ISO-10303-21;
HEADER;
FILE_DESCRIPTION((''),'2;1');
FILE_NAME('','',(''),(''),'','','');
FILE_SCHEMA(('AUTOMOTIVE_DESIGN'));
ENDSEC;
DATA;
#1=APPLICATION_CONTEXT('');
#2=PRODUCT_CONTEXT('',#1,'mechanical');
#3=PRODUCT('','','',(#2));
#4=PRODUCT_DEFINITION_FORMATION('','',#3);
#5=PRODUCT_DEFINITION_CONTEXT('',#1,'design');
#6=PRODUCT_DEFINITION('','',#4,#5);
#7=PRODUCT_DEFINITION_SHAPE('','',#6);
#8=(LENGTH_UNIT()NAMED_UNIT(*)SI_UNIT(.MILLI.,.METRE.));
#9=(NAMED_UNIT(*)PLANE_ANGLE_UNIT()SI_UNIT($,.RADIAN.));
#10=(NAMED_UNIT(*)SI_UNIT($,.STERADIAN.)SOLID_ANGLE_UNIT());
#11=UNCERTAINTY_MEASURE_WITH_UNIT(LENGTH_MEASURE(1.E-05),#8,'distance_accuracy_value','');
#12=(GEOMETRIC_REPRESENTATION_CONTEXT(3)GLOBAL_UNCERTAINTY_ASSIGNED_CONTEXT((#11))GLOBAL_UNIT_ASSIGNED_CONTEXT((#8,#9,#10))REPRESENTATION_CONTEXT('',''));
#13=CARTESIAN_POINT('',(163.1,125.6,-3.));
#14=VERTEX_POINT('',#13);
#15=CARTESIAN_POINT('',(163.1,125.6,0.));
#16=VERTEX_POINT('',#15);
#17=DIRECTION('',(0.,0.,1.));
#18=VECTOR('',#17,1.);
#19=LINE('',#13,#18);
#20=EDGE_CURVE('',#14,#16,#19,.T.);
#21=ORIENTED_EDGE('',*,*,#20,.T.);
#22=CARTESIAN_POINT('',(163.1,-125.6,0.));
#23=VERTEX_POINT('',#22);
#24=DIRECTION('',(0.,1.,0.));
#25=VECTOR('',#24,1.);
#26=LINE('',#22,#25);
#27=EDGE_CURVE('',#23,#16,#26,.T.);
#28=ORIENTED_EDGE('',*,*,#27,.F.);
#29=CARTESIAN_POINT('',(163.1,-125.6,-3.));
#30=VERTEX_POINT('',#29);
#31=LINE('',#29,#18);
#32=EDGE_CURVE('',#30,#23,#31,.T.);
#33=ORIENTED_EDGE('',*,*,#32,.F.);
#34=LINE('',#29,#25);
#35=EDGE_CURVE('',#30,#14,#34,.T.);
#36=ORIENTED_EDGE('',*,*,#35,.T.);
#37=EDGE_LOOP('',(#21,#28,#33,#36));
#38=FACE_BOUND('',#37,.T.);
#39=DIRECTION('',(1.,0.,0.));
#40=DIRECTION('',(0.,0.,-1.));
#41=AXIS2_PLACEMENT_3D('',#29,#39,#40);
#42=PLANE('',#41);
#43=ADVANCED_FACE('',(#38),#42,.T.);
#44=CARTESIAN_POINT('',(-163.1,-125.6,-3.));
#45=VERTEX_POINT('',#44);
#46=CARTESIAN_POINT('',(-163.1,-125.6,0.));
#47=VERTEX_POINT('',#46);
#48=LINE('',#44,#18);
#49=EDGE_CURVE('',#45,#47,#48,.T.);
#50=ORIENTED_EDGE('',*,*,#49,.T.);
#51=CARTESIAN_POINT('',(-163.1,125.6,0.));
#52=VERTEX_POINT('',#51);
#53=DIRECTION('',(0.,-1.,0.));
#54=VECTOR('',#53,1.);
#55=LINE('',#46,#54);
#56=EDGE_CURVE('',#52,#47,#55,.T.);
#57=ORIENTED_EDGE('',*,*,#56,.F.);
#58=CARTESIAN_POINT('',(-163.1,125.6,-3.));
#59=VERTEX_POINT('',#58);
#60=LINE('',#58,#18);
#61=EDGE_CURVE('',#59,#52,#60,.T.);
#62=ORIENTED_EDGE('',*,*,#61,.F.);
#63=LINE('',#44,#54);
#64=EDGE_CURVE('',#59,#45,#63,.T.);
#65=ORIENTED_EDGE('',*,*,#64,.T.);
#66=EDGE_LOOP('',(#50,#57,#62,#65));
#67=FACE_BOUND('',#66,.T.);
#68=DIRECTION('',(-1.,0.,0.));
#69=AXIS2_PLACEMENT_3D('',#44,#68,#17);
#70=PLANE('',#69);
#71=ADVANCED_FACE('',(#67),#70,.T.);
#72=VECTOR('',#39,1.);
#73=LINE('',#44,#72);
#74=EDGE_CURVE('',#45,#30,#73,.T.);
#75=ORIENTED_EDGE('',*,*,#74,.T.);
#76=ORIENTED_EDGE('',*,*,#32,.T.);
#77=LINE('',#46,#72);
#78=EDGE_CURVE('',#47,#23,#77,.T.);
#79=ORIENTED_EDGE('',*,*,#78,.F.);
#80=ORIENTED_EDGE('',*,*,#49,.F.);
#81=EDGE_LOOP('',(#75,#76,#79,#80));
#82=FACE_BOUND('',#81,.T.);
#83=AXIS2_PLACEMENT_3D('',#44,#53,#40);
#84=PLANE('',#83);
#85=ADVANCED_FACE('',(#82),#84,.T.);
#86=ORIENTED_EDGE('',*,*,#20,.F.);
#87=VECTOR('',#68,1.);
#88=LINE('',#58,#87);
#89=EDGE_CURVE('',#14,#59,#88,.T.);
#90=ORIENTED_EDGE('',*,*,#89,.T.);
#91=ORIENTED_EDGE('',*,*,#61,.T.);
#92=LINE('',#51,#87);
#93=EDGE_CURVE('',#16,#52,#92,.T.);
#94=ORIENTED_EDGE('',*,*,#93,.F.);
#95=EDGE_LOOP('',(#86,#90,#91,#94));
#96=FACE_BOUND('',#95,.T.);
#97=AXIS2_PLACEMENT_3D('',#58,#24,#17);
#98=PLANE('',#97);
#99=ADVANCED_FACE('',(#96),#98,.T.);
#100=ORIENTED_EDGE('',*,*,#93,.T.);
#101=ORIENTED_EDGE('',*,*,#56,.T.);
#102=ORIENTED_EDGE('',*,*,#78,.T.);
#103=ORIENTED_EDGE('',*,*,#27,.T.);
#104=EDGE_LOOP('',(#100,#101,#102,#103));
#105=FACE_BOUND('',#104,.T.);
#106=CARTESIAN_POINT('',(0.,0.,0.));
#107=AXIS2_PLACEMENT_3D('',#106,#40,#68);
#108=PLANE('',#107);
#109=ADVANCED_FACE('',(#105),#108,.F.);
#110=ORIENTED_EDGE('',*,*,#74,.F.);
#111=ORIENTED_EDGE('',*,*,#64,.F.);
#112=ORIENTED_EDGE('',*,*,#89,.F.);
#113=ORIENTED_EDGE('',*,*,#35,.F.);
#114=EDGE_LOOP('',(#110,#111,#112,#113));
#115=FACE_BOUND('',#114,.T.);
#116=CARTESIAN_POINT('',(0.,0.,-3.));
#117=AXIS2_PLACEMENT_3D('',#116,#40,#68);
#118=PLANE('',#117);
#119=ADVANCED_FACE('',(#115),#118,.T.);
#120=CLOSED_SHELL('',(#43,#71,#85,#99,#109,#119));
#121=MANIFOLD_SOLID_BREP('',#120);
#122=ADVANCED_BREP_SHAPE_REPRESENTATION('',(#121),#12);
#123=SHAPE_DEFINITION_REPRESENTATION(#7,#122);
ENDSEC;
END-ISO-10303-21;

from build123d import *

# Parameters (mm, degrees)
IZIM1_W                     = 326.2
IZIM1_H                     = 251.2
Y_KSEKLIK_EKSTR_ZYON1_DEPTH = 3


with BuildPart() as part:
    # Çizim1 → Yükseklik-Ekstrüzyon1 (new body)
    with BuildSketch(Plane.XY):
        Rectangle(IZIM1_W, IZIM1_H)
    extrude(amount=-Y_KSEKLIK_EKSTR_ZYON1_DEPTH)


solid = part.part
